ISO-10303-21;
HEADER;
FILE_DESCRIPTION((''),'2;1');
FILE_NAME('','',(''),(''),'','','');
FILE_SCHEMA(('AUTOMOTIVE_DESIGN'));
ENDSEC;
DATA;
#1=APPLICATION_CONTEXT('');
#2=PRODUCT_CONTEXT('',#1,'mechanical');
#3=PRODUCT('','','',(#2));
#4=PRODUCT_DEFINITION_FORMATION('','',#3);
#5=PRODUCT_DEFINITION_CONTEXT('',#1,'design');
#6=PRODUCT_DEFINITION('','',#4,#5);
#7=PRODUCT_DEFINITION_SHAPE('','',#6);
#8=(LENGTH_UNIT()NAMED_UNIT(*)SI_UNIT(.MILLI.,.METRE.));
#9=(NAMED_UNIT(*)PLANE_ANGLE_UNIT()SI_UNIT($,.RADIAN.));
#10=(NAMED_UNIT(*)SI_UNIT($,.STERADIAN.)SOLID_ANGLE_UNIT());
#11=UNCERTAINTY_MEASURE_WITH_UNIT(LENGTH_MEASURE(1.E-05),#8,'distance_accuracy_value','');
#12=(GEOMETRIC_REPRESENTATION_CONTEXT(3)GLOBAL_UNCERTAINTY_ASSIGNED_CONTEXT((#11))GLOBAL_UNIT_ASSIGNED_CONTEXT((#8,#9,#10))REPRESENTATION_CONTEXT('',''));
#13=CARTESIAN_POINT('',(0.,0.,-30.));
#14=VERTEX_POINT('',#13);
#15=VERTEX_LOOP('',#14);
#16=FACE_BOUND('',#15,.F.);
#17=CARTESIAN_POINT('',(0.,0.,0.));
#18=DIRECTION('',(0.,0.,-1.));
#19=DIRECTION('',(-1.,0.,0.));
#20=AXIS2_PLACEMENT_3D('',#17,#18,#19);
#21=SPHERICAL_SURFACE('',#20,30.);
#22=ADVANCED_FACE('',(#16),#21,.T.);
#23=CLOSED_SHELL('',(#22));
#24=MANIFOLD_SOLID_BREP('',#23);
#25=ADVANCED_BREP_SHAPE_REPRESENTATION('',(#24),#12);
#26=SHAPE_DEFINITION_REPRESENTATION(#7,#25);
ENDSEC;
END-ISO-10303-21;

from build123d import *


with BuildPart() as part:
    # Sketch1 → Revolve1 (revolve)
    with BuildSketch(Plane(origin=(0, 0, 0), x_dir=(1, 0, 0), z_dir=(0, 1, 0))):
        with BuildLine():
            Line((0, 30), (0, -30))
            ThreePointArc((0, -30), (-30, 0), (0, 30))
        make_face()
    revolve(axis=Axis((0, 0, -30), (0, 0, 1)))


solid = part.part
